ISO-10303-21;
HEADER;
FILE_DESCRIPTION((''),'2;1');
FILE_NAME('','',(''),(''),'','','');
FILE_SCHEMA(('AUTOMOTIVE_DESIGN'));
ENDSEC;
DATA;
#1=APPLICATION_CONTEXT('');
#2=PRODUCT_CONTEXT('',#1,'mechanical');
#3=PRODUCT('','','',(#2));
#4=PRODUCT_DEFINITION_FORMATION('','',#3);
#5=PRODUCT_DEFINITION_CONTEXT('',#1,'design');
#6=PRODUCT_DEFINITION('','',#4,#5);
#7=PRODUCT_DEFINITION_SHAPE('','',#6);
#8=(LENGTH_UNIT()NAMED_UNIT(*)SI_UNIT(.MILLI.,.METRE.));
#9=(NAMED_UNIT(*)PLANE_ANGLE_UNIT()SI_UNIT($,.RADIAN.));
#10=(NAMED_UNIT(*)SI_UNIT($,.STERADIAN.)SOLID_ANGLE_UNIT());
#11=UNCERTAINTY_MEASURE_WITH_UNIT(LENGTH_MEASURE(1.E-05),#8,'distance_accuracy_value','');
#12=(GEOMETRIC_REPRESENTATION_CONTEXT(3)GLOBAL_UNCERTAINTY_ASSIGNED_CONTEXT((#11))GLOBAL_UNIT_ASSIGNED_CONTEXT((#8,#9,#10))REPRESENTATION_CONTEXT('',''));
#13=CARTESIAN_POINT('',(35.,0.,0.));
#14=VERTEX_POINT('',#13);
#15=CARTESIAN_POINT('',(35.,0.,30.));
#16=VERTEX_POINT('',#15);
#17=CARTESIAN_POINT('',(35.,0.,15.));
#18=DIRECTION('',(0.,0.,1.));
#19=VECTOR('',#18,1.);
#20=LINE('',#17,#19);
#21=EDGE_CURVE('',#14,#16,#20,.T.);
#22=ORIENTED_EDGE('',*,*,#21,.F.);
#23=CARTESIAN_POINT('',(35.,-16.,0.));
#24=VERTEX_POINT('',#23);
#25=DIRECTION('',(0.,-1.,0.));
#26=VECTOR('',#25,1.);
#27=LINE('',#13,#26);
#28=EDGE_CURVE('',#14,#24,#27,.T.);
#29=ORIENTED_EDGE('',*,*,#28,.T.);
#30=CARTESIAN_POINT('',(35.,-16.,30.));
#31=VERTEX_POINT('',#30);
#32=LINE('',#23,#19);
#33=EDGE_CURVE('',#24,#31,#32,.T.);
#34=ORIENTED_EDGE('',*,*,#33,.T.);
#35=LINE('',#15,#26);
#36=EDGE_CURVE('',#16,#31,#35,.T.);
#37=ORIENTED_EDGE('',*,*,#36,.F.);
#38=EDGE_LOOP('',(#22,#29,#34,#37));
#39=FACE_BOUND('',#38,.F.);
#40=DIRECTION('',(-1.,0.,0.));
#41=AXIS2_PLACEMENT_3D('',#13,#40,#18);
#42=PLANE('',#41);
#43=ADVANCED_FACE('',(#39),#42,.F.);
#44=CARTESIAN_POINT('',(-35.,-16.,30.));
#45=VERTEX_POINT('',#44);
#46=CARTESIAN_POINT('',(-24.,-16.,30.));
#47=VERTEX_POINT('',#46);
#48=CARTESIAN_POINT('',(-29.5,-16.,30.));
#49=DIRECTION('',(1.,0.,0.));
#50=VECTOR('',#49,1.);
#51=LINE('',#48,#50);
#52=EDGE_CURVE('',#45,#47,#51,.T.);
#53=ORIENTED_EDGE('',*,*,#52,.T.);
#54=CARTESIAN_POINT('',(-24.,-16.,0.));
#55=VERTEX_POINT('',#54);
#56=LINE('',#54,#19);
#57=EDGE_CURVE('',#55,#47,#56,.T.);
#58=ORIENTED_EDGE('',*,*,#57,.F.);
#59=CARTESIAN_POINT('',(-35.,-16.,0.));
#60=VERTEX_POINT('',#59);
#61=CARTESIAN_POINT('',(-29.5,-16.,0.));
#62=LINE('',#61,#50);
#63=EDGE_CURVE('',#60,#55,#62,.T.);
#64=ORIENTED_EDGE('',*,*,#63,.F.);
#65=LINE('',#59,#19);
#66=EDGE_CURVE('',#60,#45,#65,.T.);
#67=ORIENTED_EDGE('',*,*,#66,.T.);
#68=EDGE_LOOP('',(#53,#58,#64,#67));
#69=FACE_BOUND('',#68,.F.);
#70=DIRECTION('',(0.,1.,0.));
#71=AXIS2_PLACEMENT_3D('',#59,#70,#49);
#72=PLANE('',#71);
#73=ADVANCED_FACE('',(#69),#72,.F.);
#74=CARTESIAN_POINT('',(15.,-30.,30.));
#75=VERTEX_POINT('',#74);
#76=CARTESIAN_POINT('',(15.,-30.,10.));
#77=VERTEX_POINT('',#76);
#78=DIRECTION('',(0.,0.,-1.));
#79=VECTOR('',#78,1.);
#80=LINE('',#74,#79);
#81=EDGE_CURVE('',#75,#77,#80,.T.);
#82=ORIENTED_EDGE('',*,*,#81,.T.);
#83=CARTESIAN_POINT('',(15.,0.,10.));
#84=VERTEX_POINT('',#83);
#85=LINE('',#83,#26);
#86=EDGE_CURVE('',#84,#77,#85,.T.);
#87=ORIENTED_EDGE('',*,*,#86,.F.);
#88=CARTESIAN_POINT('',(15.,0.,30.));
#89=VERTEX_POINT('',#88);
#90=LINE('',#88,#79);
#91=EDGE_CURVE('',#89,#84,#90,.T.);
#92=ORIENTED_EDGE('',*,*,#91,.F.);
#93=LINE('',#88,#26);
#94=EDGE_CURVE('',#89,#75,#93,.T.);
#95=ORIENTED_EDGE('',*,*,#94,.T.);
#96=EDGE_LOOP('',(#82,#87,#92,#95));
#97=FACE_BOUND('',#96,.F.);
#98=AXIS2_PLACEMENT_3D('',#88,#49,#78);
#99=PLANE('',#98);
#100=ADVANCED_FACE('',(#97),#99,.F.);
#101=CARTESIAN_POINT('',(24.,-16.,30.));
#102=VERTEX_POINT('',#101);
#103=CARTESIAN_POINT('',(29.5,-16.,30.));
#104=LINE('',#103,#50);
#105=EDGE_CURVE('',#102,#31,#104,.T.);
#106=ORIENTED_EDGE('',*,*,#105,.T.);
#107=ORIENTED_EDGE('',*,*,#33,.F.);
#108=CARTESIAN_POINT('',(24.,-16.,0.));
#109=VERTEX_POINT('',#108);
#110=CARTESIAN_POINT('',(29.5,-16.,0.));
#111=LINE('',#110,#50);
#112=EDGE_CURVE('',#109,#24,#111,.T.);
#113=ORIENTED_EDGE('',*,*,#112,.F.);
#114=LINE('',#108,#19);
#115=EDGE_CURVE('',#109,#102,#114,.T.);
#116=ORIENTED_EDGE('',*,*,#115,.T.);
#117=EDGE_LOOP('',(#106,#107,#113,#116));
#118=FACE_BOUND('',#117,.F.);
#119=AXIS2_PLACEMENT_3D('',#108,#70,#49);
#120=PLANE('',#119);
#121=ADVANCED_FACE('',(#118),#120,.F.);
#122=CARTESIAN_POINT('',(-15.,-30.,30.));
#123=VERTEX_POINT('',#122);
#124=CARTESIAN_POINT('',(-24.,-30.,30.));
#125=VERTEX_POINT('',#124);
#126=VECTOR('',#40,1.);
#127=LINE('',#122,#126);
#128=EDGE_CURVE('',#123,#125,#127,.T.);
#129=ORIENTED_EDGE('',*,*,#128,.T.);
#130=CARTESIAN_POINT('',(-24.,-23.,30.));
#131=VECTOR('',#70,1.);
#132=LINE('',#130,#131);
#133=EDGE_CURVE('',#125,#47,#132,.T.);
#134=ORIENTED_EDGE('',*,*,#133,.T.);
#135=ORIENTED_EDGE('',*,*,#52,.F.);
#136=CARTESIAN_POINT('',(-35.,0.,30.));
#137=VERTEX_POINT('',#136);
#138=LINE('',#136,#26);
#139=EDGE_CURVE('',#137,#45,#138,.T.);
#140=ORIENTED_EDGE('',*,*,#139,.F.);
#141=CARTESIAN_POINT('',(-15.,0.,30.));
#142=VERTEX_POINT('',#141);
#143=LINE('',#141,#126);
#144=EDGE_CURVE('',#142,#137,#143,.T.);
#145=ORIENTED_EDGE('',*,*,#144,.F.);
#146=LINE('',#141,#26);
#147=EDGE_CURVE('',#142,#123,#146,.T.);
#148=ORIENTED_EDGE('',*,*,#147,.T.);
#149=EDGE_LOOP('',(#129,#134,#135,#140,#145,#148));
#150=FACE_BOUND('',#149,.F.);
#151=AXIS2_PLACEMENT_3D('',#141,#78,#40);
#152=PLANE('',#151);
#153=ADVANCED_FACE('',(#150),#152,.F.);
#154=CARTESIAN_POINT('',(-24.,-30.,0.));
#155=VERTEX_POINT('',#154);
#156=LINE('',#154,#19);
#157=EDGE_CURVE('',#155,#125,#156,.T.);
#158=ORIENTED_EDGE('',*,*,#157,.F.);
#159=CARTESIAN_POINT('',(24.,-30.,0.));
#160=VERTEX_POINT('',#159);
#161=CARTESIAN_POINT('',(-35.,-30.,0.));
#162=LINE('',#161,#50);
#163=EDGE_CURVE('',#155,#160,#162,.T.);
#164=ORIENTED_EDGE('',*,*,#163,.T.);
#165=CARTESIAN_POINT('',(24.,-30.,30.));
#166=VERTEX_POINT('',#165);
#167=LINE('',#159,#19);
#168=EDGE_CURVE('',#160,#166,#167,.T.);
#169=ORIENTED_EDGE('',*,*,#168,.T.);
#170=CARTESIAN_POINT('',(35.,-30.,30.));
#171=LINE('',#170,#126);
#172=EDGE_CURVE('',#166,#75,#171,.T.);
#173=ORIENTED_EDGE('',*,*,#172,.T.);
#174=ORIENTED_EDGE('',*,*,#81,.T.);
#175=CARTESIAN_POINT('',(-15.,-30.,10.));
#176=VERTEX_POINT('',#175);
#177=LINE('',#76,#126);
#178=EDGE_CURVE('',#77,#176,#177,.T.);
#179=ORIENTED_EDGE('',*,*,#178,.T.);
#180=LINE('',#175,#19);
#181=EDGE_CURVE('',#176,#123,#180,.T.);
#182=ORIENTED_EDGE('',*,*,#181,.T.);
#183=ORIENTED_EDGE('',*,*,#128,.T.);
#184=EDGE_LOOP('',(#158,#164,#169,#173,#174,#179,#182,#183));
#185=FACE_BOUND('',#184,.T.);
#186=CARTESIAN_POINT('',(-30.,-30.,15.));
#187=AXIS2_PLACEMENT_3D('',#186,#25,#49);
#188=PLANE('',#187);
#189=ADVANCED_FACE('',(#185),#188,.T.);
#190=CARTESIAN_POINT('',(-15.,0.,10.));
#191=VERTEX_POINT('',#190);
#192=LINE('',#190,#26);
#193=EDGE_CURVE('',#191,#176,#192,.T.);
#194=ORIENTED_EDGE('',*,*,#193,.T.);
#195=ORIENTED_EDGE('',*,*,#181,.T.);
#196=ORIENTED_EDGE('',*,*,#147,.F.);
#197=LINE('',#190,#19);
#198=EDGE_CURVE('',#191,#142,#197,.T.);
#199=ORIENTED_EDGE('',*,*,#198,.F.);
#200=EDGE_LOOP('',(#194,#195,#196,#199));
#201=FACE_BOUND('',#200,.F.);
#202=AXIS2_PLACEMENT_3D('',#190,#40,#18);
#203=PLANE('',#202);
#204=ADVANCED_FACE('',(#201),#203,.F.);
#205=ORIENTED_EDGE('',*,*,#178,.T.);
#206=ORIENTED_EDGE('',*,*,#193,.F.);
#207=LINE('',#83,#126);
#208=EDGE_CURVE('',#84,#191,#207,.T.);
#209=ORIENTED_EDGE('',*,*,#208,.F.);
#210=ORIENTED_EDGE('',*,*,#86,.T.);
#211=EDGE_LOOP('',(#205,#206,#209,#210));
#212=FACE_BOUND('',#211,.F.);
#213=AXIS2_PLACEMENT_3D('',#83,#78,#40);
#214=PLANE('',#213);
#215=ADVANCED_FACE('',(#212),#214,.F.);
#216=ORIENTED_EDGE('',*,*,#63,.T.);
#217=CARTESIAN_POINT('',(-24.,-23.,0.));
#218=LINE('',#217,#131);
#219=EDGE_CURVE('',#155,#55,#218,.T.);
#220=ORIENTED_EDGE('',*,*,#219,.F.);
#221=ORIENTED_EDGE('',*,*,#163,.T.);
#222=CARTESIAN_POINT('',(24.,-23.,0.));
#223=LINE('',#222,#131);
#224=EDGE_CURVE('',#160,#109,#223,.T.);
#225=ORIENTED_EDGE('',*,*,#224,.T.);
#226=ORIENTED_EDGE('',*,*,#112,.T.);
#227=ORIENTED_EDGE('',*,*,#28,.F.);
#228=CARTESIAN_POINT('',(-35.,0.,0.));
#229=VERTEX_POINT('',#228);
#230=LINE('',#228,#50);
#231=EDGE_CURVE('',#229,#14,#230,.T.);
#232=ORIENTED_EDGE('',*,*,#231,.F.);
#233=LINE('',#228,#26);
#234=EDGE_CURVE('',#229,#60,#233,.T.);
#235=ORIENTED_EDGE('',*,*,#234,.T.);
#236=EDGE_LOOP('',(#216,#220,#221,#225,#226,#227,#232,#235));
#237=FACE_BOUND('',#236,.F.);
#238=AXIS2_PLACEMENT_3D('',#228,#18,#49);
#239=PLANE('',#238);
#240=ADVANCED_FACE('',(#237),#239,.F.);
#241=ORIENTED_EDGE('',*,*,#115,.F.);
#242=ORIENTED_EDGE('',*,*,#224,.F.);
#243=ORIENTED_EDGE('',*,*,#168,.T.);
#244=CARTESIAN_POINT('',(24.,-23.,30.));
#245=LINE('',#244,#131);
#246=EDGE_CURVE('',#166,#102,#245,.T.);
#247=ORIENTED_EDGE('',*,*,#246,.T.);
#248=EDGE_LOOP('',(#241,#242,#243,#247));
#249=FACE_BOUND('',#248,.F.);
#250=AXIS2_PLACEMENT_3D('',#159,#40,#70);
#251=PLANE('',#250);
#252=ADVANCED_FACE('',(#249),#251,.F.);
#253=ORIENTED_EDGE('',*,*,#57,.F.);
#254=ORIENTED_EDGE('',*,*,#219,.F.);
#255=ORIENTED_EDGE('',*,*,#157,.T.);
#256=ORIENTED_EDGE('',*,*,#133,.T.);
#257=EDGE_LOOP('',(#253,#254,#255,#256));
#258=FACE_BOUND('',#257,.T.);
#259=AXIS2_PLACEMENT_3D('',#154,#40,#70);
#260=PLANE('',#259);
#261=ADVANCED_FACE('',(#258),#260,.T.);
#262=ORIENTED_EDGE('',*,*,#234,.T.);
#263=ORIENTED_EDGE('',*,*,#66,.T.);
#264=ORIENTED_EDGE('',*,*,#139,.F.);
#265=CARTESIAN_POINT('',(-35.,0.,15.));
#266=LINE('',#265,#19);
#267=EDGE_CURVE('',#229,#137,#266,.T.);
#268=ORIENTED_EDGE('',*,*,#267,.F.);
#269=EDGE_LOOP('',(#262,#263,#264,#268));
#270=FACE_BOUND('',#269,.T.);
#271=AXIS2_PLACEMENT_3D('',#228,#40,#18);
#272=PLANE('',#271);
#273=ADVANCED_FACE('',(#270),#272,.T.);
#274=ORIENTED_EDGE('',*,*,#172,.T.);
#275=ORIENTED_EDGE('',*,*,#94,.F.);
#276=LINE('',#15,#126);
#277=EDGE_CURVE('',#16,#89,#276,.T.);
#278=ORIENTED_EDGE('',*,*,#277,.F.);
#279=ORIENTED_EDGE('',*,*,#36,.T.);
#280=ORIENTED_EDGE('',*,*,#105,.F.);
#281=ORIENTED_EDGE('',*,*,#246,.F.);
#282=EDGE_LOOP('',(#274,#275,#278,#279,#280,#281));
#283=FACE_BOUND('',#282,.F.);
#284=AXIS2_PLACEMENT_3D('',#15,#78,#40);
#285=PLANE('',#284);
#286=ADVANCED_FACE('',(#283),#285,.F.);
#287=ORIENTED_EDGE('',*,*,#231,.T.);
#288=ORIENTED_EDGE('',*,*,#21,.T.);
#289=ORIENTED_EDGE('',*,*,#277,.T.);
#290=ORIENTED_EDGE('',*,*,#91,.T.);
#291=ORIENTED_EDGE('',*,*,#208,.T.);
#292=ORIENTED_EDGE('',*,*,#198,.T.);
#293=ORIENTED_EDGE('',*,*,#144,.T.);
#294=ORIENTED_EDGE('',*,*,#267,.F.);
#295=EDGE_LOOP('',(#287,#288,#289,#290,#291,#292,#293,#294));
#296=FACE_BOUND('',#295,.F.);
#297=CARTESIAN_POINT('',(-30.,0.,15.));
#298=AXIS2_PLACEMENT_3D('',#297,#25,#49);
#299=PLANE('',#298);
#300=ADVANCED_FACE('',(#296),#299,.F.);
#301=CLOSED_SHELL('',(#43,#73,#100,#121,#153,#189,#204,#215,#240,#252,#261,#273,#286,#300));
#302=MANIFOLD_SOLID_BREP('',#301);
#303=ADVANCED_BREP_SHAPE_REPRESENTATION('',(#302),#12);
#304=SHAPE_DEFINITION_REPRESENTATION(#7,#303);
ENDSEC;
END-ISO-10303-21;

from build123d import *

# Parameters (mm, degrees)
F0_W     = 10
F0_H     = 30
F0_W_2   = 12
F1_DEPTH = 30
F2_W     = 11
F2_H     = 14
F3_DEPTH = 30


with BuildPart() as f1:
    # F0 (on Front) → F1 (new body)
    with BuildSketch(Plane.XZ):
        with Locations((-30, 15)):
            Rectangle(F0_W, F0_H)
        Polygon((-25, 30), (-25, 0), (23, 0), (23, 30), (15, 30), (15, 10), (-15, 10), (-15, 30), align=None)
        with Locations((29, 15)):
            Rectangle(F0_W_2, F0_H)
    extrude(amount=F1_DEPTH)

    # F2 (on Top) → F3 (cut)
    with BuildSketch(Plane.XY):
        with Locations((29.5, -23)):
            Rectangle(F2_W, F2_H)
        with Locations((-29.5, -23)):
            Rectangle(F2_W, F2_H)
    extrude(amount=F3_DEPTH, mode=Mode.SUBTRACT)


solid = f1.part
